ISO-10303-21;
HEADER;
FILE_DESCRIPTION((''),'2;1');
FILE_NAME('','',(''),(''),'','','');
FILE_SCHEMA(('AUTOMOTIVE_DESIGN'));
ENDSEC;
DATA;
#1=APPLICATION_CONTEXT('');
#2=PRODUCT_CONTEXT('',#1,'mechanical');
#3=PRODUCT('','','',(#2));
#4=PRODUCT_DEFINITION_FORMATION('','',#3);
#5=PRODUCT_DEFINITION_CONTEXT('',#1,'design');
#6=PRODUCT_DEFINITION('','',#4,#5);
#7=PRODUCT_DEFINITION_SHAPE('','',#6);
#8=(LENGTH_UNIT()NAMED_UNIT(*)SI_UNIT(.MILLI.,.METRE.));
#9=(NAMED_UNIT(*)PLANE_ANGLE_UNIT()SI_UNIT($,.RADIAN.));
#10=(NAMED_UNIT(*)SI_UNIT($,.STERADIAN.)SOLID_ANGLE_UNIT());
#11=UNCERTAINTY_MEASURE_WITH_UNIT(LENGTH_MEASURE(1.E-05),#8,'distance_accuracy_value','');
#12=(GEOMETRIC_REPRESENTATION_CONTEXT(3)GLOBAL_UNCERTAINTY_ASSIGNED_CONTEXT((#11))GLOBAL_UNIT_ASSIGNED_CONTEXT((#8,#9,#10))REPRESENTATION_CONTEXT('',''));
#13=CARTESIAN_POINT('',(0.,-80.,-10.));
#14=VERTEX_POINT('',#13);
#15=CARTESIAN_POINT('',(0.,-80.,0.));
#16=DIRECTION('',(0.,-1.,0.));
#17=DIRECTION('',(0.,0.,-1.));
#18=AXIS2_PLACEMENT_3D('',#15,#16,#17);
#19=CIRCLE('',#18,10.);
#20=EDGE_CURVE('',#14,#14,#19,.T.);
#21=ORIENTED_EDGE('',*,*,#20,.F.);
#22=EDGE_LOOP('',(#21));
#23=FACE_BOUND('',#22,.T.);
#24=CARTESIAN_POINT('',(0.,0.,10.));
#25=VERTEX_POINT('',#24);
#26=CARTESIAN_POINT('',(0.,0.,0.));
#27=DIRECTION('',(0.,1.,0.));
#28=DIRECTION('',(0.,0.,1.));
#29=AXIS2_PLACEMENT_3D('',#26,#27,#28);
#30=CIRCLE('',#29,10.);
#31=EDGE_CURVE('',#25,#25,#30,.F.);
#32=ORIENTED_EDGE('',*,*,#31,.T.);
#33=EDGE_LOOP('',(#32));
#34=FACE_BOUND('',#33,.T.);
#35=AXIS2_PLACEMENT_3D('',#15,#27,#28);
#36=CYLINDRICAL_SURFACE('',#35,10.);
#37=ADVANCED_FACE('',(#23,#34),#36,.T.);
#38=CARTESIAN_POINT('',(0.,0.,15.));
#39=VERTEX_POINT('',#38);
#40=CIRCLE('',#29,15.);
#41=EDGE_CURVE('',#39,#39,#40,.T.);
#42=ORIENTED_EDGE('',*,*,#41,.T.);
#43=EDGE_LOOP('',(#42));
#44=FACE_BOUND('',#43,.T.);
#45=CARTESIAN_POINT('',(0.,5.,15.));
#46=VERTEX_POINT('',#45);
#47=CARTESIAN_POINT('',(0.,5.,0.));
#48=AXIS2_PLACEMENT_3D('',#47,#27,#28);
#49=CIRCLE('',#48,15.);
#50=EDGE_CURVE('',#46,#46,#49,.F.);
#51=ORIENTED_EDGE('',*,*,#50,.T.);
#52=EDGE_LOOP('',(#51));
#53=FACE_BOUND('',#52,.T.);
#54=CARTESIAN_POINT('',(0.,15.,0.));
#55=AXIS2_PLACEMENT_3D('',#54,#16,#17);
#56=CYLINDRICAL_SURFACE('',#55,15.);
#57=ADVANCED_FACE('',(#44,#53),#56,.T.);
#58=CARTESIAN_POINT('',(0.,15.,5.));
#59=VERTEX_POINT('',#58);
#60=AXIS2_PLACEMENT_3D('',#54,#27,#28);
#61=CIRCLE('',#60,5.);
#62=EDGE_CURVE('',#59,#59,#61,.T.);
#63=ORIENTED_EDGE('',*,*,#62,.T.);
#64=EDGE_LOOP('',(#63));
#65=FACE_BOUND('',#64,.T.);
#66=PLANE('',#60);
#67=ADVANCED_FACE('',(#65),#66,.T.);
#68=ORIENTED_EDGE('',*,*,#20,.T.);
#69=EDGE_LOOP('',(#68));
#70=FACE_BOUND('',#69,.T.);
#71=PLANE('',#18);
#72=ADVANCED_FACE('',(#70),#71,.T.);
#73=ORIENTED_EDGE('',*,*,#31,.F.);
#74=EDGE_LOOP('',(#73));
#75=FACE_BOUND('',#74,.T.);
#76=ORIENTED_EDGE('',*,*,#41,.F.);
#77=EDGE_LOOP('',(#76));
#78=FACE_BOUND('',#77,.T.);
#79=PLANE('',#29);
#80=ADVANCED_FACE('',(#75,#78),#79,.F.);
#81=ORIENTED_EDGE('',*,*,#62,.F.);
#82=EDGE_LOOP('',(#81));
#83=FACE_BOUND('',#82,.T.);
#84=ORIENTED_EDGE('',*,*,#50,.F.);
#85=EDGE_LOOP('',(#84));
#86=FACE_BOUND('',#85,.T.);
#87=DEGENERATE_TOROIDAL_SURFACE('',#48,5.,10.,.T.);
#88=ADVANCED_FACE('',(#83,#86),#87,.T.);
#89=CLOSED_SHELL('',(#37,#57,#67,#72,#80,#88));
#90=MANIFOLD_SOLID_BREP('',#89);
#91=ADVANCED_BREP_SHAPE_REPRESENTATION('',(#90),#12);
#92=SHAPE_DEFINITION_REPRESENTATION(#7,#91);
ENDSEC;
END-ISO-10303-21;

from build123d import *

# Parameters (mm, degrees)
ESQUISSE1_R        = 15
BOSS_EXTRU_1_DEPTH = 15
CONG_1_R           = 10
ESQUISSE3_R        = 10
BOSS_EXTRU_2_DEPTH = 80


with BuildPart() as part:
    # Esquisse1 → Boss.-Extru.1 (new body)
    with BuildSketch(Plane(origin=(0, 0, 0), x_dir=(1, 0, 0), z_dir=(0, 1, 0))):
        Circle(ESQUISSE1_R)
    extrude(amount=BOSS_EXTRU_1_DEPTH)

    # Congé1
    cong_1_edges = [part.edges().sort_by_distance(p)[0] for p in [
        (-15, 15, 0),
    ]]
    fillet(cong_1_edges, radius=CONG_1_R)

    # Esquisse3 → Boss.-Extru.2 (add)
    with BuildSketch(Plane.XZ):
        Circle(ESQUISSE3_R)
    extrude(amount=BOSS_EXTRU_2_DEPTH)


solid = part.part
